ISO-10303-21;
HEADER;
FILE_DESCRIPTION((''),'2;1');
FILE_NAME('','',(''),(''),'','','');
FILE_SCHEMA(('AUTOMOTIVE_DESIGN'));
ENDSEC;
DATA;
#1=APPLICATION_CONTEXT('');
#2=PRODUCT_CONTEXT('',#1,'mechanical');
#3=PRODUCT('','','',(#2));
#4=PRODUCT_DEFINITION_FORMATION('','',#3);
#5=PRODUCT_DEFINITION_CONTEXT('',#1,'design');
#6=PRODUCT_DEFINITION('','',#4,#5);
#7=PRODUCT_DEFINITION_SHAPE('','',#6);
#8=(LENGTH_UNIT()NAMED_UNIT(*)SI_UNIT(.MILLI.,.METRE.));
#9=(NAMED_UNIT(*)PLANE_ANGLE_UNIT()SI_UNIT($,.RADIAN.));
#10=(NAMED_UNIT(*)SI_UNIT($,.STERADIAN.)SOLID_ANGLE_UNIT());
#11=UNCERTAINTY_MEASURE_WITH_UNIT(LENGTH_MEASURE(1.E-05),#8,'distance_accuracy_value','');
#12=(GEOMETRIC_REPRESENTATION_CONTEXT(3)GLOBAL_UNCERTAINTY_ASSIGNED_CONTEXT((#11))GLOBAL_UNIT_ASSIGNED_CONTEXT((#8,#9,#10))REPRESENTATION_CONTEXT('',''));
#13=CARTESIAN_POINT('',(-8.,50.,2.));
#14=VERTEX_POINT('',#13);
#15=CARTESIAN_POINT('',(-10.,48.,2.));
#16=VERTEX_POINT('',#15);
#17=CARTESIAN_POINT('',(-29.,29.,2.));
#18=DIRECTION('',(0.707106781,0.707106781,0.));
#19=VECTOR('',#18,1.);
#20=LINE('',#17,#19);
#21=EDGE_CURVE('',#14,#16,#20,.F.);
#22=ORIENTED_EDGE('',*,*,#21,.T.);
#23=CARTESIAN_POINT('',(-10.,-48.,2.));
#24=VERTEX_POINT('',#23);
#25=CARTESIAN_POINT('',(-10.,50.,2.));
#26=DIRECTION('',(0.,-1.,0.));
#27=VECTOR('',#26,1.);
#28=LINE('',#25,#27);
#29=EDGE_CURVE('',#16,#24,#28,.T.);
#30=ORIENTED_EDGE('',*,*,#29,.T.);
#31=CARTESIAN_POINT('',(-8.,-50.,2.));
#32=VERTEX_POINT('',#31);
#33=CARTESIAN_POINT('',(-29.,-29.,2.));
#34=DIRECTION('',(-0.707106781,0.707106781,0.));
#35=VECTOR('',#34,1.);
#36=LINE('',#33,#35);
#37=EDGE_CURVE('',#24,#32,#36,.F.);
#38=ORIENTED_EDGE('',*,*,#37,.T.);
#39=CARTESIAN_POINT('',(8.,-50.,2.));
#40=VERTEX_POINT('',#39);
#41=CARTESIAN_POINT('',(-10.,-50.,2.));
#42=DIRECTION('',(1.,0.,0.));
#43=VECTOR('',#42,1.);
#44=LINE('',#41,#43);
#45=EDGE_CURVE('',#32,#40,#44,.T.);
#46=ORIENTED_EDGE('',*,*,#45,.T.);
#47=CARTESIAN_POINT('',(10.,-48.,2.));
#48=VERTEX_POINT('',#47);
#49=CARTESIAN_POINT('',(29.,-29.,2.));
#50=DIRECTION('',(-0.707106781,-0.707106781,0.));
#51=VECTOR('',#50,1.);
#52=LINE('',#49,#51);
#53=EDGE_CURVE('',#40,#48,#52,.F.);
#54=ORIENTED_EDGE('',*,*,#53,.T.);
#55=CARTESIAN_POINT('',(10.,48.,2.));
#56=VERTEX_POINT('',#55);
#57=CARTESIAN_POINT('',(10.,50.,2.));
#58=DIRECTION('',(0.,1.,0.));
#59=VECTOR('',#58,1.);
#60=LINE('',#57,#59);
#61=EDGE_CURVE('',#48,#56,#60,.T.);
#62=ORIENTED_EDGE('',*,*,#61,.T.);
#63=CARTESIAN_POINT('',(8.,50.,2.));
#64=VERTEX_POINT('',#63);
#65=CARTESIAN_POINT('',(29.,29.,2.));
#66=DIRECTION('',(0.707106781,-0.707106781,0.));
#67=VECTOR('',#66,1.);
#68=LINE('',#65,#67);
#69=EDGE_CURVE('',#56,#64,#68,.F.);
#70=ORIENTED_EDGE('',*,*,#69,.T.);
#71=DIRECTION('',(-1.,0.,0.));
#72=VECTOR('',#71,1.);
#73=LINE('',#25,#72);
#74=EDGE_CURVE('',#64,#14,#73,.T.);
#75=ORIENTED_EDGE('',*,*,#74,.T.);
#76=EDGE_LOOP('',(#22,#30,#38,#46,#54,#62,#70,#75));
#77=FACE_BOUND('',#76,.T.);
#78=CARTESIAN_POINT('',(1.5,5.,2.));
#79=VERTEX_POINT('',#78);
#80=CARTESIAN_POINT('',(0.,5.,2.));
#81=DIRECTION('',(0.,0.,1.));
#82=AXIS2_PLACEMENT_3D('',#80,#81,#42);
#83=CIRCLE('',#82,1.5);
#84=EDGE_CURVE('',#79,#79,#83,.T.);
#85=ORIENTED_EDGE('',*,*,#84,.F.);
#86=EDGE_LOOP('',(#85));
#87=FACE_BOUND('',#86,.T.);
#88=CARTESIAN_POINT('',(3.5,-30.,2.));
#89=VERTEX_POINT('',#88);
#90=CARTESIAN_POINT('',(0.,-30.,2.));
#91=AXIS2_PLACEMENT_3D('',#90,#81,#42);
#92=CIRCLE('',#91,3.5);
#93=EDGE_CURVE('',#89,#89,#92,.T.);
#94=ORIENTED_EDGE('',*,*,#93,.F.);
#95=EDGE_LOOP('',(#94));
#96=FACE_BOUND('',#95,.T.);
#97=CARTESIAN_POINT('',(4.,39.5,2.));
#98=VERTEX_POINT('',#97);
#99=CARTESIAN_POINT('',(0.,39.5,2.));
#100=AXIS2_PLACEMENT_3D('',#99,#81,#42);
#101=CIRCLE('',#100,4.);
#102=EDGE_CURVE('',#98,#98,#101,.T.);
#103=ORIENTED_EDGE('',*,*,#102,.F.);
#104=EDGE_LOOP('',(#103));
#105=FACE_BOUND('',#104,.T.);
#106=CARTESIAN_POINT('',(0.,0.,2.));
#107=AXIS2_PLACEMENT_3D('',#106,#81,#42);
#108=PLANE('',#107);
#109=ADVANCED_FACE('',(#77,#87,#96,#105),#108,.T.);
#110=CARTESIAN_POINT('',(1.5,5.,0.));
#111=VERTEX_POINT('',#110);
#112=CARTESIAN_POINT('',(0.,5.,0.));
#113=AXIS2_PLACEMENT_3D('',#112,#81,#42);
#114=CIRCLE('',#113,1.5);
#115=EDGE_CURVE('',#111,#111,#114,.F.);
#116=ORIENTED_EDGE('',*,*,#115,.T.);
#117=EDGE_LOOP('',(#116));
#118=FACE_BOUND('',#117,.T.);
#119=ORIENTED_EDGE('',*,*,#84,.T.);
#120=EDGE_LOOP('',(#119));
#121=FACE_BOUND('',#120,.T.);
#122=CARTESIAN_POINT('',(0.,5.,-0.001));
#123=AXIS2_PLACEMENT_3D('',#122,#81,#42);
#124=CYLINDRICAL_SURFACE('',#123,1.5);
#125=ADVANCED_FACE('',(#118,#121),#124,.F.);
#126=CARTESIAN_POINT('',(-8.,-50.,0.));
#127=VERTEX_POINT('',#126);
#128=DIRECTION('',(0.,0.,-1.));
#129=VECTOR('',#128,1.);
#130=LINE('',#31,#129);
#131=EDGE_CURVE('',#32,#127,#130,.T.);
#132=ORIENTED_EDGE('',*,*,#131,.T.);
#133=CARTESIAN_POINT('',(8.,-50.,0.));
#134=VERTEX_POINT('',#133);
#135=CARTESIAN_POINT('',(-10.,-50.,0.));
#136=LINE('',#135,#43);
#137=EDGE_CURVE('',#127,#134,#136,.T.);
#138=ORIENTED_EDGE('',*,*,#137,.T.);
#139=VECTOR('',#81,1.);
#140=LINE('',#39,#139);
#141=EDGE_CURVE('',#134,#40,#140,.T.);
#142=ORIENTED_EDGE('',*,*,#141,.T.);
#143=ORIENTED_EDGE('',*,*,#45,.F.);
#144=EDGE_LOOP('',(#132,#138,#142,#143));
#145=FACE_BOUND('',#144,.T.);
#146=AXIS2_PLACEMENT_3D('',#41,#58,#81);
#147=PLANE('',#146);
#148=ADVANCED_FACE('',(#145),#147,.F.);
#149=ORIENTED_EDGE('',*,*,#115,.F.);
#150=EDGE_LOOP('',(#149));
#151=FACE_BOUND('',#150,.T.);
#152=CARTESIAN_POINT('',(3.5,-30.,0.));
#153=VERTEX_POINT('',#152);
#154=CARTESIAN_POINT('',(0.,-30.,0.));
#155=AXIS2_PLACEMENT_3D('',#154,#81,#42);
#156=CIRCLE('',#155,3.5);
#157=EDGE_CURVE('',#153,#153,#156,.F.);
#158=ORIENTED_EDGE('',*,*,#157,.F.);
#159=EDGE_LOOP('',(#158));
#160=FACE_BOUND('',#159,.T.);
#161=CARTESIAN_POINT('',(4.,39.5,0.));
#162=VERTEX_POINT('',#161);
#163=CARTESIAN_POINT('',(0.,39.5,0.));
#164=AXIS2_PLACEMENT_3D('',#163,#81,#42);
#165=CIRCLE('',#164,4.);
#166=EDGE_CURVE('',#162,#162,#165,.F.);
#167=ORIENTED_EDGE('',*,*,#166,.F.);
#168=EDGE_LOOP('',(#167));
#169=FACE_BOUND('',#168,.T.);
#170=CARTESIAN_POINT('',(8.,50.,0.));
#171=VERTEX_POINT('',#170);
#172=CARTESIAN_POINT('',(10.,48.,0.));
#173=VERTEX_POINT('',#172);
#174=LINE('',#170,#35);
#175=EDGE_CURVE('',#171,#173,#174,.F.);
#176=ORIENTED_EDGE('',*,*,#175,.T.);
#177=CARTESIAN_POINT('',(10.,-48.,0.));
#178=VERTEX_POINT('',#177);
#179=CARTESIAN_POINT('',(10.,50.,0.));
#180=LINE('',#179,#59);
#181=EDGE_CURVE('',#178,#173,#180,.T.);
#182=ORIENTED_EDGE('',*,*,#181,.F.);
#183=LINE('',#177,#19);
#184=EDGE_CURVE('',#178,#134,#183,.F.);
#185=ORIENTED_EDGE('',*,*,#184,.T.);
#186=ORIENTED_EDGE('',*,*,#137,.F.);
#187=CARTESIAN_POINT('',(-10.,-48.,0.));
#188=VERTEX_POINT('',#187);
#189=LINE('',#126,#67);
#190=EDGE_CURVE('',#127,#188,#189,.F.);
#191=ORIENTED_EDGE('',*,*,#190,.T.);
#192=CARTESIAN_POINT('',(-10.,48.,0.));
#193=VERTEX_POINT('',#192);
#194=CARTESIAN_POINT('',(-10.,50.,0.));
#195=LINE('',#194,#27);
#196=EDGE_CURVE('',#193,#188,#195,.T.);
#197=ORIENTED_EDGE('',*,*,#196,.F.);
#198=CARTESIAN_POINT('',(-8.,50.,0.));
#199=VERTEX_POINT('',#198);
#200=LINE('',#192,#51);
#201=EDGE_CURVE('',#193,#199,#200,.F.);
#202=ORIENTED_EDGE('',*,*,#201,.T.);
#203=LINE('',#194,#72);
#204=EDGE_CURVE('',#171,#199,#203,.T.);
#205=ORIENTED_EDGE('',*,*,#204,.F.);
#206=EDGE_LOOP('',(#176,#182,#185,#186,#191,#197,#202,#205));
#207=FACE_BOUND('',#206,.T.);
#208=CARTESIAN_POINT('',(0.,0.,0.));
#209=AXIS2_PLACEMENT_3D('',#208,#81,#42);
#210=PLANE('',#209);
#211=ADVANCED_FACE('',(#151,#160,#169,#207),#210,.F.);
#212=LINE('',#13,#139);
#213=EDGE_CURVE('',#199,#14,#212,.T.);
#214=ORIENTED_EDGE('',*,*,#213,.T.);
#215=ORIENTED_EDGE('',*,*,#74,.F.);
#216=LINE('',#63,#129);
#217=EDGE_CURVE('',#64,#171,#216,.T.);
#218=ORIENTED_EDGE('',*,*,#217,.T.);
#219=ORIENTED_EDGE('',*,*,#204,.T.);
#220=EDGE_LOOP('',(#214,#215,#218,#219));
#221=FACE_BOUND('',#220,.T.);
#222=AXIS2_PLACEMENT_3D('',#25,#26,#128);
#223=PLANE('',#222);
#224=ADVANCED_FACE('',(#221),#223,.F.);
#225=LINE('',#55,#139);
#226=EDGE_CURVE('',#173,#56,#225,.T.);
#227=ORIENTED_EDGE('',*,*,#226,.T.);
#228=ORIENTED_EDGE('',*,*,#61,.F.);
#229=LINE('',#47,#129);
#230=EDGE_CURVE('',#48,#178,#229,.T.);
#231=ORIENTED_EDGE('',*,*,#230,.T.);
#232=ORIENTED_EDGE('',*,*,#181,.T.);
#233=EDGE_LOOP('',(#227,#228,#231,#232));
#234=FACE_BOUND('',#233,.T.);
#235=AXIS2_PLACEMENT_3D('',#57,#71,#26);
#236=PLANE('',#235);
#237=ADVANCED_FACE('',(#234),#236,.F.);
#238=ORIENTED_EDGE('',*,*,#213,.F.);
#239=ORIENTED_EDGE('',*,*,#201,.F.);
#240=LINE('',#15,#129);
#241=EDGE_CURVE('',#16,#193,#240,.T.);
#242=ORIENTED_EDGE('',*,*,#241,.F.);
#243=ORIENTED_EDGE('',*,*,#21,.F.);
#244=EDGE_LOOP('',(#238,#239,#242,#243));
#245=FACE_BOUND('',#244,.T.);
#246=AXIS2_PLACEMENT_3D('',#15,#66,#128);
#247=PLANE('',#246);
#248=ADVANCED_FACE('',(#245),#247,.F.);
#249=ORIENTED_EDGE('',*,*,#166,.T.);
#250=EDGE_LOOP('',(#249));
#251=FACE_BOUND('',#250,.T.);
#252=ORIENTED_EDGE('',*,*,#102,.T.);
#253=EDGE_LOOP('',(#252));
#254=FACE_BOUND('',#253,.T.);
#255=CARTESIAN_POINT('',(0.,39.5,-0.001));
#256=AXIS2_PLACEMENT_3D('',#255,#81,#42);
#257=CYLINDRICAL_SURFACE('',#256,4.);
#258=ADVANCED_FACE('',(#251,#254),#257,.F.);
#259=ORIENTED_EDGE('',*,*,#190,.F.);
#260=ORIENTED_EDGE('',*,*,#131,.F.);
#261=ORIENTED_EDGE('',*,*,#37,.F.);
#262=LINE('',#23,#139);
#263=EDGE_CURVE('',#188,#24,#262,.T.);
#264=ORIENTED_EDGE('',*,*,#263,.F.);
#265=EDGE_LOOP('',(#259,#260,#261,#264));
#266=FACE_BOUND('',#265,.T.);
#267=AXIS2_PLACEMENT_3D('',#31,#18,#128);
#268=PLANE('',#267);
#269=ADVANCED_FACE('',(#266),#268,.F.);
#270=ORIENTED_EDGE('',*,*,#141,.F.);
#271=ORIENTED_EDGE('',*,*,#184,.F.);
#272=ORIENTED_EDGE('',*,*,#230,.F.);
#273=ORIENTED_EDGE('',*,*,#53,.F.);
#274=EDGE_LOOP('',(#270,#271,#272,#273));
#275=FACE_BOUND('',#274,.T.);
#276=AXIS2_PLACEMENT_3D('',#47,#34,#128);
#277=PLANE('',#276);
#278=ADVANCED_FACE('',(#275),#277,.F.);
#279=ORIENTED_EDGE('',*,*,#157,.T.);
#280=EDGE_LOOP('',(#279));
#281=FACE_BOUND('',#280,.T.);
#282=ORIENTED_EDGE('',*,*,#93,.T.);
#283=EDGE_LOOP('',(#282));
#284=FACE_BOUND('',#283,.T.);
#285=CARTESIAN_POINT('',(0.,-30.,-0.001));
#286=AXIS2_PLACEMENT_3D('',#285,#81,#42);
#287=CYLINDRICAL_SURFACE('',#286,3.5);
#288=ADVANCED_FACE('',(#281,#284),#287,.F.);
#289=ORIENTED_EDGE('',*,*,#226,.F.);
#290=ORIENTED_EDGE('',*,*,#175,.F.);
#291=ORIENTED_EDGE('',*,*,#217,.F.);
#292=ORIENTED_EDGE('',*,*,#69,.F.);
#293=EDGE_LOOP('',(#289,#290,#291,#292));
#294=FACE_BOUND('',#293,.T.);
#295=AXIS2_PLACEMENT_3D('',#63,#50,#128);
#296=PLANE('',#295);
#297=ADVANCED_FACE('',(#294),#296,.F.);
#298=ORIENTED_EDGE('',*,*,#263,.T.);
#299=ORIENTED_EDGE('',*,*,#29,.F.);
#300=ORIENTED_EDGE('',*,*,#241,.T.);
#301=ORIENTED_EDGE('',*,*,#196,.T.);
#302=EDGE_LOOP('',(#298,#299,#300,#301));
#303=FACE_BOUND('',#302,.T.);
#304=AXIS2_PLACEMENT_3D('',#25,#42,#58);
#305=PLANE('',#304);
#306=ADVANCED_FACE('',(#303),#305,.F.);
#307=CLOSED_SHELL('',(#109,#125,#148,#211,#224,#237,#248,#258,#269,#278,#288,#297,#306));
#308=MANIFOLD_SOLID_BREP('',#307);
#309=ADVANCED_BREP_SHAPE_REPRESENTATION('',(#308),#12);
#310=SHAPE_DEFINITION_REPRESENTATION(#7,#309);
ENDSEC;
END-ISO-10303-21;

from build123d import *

# Parameters (mm, degrees)
SKETCH1_W           = 20
SKETCH1_H           = 100
BOSS_EXTRUDE1_DEPTH = 2
CUT_EXTRUDE1_REACH  = 53.029
SKETCH2_R           = 4
SKETCH2_R_2         = 1.5
SKETCH2_R_3         = 3.5
CHAMFER1_SIZE       = 2


with BuildPart() as part:
    # Sketch1 → Boss-Extrude1 (new body)
    with BuildSketch(Plane.XY):
        Rectangle(SKETCH1_W, SKETCH1_H)
    extrude(amount=BOSS_EXTRUDE1_DEPTH)

    # Sketch2 → Cut-Extrude1 (cut, up to next)
    with BuildSketch(Plane.XY.offset(2), mode=Mode.PRIVATE) as cut_extrude1_sk1:
        with Locations((0, 39.5)):
            Circle(SKETCH2_R)
    cut_extrude1_tool1 = extrude(cut_extrude1_sk1.sketch, amount=-CUT_EXTRUDE1_REACH, mode=Mode.PRIVATE) & part.part
    # Sketch2 → Cut-Extrude1 (cut, up to next)
    with BuildSketch(Plane.XY.offset(2), mode=Mode.PRIVATE) as cut_extrude1_sk2:
        with Locations((0, 5)):
            Circle(SKETCH2_R_2)
    cut_extrude1_tool2 = extrude(cut_extrude1_sk2.sketch, amount=-CUT_EXTRUDE1_REACH, mode=Mode.PRIVATE) & part.part
    # Sketch2 → Cut-Extrude1 (cut, up to next)
    with BuildSketch(Plane.XY.offset(2), mode=Mode.PRIVATE) as cut_extrude1_sk3:
        with Locations((0, -30)):
            Circle(SKETCH2_R_3)
    cut_extrude1_tool3 = extrude(cut_extrude1_sk3.sketch, amount=-CUT_EXTRUDE1_REACH, mode=Mode.PRIVATE) & part.part
    add(cut_extrude1_tool1.solids().sort_by_distance((0, 39.5, 2))[0], mode=Mode.SUBTRACT)
    add(cut_extrude1_tool2.solids().sort_by_distance((0, 5, 2))[0], mode=Mode.SUBTRACT)
    add(cut_extrude1_tool3.solids().sort_by_distance((0, -30, 2))[0], mode=Mode.SUBTRACT)

    # Chamfer1
    chamfer1_edges = [part.edges().sort_by_distance(p)[0] for p in [
        (10, -50, 1),
        (-10, -50, 1),
        (-10, 50, 1),
        (10, 50, 1),
    ]]
    chamfer(chamfer1_edges, length=CHAMFER1_SIZE)


solid = part.part
